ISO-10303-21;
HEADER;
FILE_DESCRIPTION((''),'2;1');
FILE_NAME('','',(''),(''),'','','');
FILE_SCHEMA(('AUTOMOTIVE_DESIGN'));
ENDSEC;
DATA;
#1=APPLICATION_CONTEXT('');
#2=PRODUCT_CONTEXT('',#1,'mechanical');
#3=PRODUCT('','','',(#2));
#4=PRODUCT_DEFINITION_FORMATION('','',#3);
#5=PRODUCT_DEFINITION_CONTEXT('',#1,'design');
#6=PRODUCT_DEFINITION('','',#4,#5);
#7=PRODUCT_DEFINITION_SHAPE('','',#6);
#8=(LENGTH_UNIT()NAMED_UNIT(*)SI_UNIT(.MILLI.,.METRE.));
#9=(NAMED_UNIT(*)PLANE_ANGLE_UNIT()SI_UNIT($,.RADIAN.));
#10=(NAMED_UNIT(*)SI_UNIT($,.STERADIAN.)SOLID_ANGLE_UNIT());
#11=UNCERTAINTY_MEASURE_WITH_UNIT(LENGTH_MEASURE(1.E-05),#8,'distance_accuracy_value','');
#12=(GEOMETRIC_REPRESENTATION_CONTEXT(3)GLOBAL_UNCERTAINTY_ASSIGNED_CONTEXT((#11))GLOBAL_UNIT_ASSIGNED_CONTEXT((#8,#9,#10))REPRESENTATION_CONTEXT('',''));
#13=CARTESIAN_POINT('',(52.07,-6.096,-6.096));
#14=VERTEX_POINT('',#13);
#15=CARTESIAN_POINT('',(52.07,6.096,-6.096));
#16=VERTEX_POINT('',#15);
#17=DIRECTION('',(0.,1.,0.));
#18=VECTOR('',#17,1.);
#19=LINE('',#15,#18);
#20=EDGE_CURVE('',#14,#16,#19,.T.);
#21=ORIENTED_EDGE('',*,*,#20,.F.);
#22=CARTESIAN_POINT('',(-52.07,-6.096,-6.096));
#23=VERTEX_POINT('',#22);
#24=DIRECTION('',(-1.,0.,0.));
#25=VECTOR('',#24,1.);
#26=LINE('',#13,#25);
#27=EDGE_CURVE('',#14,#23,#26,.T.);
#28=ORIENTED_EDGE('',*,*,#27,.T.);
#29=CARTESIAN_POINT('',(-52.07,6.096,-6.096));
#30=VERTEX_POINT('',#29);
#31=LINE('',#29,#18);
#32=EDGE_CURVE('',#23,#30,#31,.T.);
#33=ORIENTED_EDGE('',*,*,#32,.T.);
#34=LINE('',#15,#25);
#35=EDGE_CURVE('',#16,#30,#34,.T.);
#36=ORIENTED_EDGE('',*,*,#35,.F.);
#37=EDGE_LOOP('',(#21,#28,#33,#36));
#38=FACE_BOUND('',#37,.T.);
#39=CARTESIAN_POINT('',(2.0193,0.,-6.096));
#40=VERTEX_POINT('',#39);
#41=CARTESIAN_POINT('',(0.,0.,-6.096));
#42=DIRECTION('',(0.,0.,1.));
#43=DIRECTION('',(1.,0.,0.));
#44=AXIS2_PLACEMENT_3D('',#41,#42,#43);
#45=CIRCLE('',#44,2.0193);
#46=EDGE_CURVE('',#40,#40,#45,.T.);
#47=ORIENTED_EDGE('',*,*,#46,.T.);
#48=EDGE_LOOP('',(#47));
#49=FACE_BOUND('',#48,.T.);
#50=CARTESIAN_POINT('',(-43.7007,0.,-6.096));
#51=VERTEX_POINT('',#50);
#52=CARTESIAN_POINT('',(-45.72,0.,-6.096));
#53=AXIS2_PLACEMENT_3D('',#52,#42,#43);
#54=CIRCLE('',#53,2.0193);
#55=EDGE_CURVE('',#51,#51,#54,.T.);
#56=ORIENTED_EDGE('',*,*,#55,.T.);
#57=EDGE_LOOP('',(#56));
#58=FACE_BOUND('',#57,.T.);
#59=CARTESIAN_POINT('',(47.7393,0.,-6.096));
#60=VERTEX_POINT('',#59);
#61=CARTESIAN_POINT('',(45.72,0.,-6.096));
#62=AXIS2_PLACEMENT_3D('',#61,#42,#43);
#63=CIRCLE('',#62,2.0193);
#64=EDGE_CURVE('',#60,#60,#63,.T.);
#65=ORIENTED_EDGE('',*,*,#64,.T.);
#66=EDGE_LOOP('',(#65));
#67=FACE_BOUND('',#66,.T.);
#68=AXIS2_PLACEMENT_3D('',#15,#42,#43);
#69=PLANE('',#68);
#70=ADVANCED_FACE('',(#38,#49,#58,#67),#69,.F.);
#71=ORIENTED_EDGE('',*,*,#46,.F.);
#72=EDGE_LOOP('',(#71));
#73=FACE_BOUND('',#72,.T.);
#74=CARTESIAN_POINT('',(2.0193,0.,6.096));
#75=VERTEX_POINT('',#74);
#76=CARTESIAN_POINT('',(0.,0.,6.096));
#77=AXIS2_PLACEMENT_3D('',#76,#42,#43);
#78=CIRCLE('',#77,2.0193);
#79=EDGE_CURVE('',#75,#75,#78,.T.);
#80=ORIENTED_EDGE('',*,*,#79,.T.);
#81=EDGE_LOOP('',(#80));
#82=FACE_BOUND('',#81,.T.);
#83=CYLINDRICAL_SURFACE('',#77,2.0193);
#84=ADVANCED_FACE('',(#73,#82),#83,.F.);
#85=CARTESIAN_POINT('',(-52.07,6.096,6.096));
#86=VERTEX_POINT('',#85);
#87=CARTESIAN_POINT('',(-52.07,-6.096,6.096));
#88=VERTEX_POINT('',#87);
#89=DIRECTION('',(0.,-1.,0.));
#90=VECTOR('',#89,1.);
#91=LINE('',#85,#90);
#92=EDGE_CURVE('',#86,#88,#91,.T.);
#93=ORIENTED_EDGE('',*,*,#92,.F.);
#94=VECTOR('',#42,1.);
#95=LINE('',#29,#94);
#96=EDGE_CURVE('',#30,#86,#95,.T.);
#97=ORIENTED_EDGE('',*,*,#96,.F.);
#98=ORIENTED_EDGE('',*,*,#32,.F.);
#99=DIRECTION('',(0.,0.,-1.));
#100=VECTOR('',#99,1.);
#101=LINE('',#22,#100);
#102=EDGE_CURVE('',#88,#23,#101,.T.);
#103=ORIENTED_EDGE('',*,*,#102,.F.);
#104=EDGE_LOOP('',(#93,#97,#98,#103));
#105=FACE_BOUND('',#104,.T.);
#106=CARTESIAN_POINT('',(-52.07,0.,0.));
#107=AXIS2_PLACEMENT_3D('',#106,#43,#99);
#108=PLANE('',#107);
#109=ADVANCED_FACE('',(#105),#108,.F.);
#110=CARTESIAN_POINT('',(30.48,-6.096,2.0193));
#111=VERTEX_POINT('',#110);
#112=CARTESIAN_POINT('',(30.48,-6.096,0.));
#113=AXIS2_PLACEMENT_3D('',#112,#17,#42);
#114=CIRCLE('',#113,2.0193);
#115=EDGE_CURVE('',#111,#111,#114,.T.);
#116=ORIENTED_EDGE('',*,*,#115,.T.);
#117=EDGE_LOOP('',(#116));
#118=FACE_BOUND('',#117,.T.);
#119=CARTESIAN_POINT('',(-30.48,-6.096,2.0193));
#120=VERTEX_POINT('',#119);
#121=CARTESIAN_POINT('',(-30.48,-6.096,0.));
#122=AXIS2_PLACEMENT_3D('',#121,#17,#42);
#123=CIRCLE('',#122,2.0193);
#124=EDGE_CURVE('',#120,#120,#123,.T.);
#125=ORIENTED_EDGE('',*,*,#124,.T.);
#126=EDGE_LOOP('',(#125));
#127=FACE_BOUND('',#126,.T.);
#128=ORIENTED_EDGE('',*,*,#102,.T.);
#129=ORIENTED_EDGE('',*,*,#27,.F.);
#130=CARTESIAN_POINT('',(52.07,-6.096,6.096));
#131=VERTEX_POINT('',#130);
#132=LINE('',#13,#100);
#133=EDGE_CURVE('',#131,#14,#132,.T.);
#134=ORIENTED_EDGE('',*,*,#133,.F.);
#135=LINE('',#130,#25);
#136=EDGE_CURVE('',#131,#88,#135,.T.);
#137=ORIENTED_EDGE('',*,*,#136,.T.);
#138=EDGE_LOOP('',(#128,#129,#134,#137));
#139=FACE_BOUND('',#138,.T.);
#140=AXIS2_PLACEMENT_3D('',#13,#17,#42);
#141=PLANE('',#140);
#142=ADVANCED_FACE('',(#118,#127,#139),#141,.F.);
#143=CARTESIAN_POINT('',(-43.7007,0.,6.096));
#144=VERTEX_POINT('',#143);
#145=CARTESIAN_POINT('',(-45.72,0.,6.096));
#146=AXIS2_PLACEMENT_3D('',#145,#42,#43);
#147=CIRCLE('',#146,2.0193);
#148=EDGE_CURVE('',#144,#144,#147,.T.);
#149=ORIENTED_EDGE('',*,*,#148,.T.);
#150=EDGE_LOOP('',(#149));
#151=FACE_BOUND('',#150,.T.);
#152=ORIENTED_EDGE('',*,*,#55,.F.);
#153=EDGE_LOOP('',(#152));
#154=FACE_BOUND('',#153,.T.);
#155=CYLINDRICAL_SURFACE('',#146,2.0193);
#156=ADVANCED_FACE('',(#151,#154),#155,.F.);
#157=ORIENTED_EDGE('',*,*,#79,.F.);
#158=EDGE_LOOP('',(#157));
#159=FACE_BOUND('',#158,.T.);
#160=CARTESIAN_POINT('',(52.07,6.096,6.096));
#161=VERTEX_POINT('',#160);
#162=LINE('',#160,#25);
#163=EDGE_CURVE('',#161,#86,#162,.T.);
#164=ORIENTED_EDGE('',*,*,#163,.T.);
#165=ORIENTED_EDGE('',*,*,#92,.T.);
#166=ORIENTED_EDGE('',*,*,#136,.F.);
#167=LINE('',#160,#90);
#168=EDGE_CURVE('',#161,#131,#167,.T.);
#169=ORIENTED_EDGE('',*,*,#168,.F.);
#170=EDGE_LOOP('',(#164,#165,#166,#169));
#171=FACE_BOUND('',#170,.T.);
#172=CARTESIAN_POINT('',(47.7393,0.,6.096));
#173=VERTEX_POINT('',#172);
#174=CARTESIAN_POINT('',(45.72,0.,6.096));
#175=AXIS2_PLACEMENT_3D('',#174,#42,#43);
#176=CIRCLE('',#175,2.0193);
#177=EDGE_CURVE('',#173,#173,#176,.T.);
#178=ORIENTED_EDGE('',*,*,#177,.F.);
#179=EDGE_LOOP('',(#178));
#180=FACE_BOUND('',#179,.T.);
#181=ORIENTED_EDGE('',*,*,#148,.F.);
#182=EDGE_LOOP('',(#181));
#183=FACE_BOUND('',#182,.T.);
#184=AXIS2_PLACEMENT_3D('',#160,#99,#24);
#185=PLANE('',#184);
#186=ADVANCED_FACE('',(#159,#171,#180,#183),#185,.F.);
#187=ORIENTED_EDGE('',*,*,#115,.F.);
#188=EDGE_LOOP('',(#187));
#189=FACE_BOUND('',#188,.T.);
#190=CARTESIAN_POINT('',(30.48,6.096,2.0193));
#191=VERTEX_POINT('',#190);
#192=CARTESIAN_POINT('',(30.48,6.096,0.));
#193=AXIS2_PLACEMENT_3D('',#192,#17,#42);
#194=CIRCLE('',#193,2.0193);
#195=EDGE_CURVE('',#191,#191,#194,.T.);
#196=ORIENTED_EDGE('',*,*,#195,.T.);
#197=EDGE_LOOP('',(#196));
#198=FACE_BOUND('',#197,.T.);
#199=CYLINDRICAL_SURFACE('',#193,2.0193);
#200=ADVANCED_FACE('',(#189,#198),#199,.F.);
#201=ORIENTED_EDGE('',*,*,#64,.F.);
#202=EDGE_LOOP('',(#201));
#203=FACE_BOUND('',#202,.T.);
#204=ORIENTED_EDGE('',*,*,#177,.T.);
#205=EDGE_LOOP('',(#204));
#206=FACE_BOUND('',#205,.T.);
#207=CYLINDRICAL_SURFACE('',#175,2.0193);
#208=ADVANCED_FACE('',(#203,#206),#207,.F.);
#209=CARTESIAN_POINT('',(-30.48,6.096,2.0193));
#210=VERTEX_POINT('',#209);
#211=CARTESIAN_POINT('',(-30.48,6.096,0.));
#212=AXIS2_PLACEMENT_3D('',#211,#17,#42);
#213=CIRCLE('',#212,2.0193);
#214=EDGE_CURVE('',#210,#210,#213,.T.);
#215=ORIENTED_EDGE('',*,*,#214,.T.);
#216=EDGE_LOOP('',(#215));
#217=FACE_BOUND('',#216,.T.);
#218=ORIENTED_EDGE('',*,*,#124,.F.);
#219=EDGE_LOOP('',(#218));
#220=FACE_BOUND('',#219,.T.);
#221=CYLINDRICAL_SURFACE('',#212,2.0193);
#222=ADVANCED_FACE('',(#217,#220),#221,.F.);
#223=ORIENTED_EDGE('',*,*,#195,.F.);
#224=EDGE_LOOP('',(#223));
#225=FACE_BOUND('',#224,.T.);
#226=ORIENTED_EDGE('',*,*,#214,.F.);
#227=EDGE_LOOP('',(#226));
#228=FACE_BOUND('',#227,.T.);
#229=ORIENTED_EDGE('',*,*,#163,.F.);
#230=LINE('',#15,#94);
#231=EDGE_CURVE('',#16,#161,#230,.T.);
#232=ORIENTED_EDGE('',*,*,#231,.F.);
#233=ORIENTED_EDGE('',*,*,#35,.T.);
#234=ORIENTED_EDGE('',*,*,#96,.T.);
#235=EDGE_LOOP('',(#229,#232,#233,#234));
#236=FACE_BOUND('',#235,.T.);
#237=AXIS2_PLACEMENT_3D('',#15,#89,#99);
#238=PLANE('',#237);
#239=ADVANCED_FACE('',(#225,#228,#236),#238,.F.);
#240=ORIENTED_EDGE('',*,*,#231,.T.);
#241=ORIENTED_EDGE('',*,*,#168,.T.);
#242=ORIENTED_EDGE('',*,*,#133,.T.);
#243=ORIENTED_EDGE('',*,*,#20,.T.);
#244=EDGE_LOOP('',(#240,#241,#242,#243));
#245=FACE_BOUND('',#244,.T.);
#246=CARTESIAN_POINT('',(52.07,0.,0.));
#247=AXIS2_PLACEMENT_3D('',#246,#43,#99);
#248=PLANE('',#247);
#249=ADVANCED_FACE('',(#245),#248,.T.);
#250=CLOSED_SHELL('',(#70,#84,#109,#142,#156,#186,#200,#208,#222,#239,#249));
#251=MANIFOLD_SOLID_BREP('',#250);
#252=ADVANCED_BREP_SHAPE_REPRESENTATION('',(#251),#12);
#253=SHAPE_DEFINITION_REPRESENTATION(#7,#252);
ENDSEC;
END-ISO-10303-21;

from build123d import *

# Parameters (mm, degrees)
SKETCH1_W                  = 12.192
SKETCH1_H                  = 12.192
BOSS_EXTRUDE1_DEPTH        = 52.07
TAP_DRILL_FOR_10_32_TAP1_D = 4.0386
TAP_DRILL_FOR_10_32_TAP2_D = 4.0386


with BuildPart() as part:
    # Sketch1 → Boss-Extrude1 (new, symmetric)
    with BuildSketch(Plane(origin=(0, 0, 0), x_dir=(0, -1, 0), z_dir=(1, 0, 0))):
        Rectangle(SKETCH1_W, SKETCH1_H)
    extrude(amount=BOSS_EXTRUDE1_DEPTH, both=True)

    # Tap Drill for #10-32 Tap1 (through all)
    with Locations(Plane.XY.offset(6.096)):
        with Locations((-45.72, 0), (45.72, 0), (0, 0)):
            Hole(TAP_DRILL_FOR_10_32_TAP1_D / 2)

    # Tap Drill for #10-32 Tap2 (through all)
    with Locations(Plane(origin=(0, 6.096, 0), x_dir=(1, 0, 0), z_dir=(0, 1, 0))):
        with Locations((-30.48, 0), (30.48, 0)):
            Hole(TAP_DRILL_FOR_10_32_TAP2_D / 2)


solid = part.part
